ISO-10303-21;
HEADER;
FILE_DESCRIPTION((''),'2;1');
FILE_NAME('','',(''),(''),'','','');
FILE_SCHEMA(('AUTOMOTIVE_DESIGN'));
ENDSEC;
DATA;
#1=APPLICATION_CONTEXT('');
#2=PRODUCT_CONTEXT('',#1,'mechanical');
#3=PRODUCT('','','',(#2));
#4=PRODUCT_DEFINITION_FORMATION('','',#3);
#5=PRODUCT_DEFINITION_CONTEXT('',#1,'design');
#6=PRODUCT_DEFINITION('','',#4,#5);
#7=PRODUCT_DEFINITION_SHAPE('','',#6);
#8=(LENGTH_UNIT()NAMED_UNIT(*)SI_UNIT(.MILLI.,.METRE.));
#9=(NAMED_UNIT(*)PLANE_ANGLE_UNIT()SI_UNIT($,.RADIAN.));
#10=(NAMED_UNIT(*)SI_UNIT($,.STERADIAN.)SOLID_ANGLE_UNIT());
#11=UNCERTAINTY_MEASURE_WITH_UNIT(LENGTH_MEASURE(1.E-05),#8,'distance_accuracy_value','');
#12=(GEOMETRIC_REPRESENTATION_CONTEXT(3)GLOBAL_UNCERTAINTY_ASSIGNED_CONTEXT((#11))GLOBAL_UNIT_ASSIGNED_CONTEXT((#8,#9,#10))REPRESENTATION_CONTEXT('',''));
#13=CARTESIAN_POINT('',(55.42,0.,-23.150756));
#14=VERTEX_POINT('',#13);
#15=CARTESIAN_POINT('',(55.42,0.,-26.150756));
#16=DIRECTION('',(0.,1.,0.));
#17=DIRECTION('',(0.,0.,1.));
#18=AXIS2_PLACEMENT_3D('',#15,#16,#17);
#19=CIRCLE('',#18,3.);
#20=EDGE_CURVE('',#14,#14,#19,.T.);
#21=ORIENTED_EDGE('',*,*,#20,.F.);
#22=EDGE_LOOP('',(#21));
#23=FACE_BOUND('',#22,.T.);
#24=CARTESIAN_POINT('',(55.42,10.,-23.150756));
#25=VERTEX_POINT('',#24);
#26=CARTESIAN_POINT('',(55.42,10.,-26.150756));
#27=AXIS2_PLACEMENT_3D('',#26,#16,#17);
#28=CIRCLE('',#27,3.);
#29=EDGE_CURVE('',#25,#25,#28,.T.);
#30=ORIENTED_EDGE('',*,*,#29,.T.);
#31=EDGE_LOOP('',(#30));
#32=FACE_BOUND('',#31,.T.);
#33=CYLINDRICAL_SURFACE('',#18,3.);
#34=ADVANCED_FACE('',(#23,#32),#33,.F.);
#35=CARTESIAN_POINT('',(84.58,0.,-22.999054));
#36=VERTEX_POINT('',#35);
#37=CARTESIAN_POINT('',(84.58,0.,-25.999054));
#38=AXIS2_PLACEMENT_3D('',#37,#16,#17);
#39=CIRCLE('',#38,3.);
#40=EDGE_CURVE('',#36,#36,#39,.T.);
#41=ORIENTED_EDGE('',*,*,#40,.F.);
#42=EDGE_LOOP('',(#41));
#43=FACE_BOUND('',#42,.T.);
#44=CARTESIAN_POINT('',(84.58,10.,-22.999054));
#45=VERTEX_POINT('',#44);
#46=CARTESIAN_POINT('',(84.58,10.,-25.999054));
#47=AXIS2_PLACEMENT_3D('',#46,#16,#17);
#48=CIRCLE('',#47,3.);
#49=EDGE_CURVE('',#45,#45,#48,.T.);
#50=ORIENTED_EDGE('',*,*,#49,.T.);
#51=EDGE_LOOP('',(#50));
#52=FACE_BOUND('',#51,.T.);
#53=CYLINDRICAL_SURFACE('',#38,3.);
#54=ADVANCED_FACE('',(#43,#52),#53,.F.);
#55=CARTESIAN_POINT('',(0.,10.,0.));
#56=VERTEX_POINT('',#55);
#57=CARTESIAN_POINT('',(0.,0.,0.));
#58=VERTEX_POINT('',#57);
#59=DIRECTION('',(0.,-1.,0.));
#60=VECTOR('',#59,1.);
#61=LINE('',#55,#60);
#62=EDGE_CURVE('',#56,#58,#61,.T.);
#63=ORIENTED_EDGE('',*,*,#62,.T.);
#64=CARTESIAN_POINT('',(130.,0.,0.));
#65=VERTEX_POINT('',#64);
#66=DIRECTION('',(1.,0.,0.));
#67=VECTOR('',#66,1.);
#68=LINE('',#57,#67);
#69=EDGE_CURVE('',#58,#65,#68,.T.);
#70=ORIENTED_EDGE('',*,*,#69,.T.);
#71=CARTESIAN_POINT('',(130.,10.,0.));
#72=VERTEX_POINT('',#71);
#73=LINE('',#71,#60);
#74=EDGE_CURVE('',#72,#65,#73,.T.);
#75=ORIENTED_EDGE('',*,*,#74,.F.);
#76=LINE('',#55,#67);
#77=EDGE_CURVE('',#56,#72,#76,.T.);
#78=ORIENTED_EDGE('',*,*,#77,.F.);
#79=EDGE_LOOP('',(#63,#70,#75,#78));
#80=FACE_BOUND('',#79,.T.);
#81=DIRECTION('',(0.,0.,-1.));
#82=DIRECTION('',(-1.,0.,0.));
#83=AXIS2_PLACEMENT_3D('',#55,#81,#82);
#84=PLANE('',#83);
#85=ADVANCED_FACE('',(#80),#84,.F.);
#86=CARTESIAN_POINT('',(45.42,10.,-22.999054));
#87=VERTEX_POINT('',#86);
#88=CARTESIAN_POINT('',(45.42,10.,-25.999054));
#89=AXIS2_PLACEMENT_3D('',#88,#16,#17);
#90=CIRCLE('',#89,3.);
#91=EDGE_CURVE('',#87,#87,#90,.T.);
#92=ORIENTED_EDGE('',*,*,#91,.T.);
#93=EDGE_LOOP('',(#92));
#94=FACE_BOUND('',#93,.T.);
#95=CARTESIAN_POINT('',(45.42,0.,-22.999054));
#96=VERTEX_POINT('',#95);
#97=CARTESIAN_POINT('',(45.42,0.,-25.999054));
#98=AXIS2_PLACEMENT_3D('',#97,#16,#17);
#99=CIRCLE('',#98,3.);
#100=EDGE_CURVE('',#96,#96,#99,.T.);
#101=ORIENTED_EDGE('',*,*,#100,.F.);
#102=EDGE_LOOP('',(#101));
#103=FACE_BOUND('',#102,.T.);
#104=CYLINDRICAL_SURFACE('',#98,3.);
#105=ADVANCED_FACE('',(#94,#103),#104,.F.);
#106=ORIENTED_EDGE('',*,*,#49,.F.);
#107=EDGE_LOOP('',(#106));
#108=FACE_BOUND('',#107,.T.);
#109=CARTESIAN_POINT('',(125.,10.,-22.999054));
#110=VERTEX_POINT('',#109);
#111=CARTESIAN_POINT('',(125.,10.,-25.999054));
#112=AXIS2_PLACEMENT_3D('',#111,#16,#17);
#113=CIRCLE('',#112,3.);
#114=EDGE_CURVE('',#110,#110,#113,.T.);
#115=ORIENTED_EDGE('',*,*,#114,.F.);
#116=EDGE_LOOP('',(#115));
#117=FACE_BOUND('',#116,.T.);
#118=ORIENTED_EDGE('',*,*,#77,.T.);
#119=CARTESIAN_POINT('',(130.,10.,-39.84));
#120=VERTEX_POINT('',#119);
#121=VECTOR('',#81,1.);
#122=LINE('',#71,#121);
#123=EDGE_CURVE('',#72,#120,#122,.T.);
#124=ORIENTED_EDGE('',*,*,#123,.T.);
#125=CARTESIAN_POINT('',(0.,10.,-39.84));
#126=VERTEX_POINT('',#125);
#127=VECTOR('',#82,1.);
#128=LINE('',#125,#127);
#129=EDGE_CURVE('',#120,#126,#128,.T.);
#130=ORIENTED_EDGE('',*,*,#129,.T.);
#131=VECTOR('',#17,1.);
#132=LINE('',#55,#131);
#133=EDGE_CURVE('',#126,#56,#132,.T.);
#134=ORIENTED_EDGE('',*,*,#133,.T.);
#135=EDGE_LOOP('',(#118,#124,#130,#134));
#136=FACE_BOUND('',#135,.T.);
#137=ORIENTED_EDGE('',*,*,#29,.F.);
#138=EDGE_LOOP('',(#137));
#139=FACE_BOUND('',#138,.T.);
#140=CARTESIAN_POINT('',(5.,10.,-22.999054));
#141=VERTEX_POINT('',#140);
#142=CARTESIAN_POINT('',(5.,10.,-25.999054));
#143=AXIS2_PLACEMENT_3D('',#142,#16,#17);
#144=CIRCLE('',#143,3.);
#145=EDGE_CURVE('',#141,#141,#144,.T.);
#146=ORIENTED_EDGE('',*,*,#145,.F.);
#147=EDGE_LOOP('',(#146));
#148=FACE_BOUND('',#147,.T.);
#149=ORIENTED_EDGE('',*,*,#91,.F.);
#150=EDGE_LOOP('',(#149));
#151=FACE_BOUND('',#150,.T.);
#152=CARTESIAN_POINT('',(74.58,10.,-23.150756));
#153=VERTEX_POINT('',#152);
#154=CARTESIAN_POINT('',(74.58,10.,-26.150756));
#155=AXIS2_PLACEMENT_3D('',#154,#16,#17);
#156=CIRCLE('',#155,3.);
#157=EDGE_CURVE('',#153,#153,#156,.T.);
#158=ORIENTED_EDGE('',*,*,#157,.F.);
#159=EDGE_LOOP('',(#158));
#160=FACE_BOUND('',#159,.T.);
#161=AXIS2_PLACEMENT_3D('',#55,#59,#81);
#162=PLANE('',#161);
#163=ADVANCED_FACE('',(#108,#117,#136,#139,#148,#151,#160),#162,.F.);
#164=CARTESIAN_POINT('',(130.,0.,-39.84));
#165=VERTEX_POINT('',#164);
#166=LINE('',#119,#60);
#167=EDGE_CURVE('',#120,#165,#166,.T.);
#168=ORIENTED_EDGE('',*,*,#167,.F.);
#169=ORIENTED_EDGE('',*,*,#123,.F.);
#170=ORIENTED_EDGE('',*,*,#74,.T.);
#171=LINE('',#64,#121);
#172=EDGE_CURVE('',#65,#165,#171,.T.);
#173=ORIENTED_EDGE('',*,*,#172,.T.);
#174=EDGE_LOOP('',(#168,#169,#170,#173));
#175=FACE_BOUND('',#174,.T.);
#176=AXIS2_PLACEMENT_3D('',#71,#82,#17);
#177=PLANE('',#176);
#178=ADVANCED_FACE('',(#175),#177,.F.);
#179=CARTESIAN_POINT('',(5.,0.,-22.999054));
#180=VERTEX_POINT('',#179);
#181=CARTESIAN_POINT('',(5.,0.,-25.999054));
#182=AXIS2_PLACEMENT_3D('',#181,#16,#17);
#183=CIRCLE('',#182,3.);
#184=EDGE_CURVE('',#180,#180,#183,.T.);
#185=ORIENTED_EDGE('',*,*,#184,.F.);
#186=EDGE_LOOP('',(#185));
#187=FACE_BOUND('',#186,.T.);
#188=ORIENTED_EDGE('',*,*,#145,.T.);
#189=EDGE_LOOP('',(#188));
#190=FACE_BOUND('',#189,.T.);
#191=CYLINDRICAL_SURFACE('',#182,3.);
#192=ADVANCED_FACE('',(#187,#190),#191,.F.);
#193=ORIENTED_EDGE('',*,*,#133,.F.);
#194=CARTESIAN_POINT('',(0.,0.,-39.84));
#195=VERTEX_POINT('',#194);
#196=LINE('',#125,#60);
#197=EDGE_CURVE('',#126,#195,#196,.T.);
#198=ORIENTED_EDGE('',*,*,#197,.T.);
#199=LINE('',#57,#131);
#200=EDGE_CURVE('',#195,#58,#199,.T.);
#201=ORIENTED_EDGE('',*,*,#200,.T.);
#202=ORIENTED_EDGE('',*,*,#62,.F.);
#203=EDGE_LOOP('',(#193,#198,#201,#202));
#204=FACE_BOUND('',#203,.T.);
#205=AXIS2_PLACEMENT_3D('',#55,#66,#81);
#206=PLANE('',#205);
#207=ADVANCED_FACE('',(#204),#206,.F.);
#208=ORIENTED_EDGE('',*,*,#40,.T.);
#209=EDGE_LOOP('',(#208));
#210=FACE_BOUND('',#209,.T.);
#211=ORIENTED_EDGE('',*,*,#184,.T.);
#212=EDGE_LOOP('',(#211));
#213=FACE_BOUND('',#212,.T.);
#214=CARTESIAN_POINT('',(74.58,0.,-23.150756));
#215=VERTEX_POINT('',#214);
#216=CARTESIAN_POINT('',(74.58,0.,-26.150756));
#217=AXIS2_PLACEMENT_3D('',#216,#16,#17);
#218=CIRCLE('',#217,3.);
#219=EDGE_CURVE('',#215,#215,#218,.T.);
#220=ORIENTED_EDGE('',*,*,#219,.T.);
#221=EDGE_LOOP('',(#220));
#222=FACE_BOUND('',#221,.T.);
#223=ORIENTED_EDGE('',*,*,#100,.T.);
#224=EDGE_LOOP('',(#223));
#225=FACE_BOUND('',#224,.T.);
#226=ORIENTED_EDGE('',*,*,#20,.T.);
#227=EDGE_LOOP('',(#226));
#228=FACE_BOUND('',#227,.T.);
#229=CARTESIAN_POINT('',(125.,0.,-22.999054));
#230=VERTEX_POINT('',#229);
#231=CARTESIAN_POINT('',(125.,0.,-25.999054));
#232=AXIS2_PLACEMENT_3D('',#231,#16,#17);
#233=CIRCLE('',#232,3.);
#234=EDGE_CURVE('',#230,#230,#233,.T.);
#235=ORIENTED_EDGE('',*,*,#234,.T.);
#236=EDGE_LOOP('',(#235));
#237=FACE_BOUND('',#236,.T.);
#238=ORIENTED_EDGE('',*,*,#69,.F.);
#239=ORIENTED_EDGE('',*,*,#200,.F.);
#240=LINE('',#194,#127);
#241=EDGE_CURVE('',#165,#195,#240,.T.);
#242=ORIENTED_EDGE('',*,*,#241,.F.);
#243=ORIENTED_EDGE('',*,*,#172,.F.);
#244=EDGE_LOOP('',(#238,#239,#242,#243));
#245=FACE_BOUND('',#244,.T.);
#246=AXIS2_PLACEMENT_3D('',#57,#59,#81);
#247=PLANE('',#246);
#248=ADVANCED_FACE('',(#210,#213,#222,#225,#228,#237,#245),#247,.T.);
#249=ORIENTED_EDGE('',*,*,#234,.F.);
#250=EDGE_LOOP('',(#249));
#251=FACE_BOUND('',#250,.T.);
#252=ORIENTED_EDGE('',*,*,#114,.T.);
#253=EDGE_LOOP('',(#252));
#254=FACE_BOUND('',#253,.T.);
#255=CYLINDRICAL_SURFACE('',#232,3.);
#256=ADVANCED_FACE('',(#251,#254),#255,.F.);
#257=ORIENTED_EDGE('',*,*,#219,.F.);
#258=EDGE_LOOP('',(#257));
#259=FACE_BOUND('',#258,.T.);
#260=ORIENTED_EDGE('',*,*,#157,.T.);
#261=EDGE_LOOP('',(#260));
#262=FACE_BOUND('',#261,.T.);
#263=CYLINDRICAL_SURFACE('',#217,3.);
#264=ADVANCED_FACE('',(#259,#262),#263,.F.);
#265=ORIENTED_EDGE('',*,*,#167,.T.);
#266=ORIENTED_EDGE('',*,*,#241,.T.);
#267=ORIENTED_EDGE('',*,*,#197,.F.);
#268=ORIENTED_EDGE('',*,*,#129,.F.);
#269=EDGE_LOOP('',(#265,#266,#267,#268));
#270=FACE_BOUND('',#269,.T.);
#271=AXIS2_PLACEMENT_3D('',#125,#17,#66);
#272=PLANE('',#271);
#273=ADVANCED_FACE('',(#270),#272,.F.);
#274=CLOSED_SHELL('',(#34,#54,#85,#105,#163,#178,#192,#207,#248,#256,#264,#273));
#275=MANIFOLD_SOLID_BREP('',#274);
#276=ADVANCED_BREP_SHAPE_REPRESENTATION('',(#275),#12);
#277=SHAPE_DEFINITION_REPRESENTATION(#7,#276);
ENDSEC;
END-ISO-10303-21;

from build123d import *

# Parameters (mm, degrees)
SKETCH1_W           = 130
SKETCH1_H           = 39.84
BOSS_EXTRUDE1_DEPTH = 10
SKETCH2_R           = 3
CUT_EXTRUDE1_DEPTH  = 11


with BuildPart() as part:
    # Sketch1 → Boss-Extrude1 (new body)
    with BuildSketch(Plane(origin=(0, 0, 0), x_dir=(1, 0, 0), z_dir=(0, 1, 0))):
        with Locations((65, 19.92)):
            Rectangle(SKETCH1_W, SKETCH1_H)
    extrude(amount=BOSS_EXTRUDE1_DEPTH)

    # Sketch2 → Cut-Extrude1 (cut, through all)
    with BuildSketch(Plane(origin=(0, 10, 0), x_dir=(1, 0, 0), z_dir=(0, 1, 0))):
        with Locations((5, 25.999053891)):
            Circle(SKETCH2_R)
        with Locations((45.42, 25.999053891)):
            Circle(SKETCH2_R)
        with Locations((55.42, 26.150756349)):
            Circle(SKETCH2_R)
        with Locations((74.58, 26.150756349)):
            Circle(SKETCH2_R)
        with Locations((84.58, 25.999053891)):
            Circle(SKETCH2_R)
        with Locations((125, 25.999053891)):
            Circle(SKETCH2_R)
    extrude(amount=-CUT_EXTRUDE1_DEPTH, mode=Mode.SUBTRACT)


solid = part.part
